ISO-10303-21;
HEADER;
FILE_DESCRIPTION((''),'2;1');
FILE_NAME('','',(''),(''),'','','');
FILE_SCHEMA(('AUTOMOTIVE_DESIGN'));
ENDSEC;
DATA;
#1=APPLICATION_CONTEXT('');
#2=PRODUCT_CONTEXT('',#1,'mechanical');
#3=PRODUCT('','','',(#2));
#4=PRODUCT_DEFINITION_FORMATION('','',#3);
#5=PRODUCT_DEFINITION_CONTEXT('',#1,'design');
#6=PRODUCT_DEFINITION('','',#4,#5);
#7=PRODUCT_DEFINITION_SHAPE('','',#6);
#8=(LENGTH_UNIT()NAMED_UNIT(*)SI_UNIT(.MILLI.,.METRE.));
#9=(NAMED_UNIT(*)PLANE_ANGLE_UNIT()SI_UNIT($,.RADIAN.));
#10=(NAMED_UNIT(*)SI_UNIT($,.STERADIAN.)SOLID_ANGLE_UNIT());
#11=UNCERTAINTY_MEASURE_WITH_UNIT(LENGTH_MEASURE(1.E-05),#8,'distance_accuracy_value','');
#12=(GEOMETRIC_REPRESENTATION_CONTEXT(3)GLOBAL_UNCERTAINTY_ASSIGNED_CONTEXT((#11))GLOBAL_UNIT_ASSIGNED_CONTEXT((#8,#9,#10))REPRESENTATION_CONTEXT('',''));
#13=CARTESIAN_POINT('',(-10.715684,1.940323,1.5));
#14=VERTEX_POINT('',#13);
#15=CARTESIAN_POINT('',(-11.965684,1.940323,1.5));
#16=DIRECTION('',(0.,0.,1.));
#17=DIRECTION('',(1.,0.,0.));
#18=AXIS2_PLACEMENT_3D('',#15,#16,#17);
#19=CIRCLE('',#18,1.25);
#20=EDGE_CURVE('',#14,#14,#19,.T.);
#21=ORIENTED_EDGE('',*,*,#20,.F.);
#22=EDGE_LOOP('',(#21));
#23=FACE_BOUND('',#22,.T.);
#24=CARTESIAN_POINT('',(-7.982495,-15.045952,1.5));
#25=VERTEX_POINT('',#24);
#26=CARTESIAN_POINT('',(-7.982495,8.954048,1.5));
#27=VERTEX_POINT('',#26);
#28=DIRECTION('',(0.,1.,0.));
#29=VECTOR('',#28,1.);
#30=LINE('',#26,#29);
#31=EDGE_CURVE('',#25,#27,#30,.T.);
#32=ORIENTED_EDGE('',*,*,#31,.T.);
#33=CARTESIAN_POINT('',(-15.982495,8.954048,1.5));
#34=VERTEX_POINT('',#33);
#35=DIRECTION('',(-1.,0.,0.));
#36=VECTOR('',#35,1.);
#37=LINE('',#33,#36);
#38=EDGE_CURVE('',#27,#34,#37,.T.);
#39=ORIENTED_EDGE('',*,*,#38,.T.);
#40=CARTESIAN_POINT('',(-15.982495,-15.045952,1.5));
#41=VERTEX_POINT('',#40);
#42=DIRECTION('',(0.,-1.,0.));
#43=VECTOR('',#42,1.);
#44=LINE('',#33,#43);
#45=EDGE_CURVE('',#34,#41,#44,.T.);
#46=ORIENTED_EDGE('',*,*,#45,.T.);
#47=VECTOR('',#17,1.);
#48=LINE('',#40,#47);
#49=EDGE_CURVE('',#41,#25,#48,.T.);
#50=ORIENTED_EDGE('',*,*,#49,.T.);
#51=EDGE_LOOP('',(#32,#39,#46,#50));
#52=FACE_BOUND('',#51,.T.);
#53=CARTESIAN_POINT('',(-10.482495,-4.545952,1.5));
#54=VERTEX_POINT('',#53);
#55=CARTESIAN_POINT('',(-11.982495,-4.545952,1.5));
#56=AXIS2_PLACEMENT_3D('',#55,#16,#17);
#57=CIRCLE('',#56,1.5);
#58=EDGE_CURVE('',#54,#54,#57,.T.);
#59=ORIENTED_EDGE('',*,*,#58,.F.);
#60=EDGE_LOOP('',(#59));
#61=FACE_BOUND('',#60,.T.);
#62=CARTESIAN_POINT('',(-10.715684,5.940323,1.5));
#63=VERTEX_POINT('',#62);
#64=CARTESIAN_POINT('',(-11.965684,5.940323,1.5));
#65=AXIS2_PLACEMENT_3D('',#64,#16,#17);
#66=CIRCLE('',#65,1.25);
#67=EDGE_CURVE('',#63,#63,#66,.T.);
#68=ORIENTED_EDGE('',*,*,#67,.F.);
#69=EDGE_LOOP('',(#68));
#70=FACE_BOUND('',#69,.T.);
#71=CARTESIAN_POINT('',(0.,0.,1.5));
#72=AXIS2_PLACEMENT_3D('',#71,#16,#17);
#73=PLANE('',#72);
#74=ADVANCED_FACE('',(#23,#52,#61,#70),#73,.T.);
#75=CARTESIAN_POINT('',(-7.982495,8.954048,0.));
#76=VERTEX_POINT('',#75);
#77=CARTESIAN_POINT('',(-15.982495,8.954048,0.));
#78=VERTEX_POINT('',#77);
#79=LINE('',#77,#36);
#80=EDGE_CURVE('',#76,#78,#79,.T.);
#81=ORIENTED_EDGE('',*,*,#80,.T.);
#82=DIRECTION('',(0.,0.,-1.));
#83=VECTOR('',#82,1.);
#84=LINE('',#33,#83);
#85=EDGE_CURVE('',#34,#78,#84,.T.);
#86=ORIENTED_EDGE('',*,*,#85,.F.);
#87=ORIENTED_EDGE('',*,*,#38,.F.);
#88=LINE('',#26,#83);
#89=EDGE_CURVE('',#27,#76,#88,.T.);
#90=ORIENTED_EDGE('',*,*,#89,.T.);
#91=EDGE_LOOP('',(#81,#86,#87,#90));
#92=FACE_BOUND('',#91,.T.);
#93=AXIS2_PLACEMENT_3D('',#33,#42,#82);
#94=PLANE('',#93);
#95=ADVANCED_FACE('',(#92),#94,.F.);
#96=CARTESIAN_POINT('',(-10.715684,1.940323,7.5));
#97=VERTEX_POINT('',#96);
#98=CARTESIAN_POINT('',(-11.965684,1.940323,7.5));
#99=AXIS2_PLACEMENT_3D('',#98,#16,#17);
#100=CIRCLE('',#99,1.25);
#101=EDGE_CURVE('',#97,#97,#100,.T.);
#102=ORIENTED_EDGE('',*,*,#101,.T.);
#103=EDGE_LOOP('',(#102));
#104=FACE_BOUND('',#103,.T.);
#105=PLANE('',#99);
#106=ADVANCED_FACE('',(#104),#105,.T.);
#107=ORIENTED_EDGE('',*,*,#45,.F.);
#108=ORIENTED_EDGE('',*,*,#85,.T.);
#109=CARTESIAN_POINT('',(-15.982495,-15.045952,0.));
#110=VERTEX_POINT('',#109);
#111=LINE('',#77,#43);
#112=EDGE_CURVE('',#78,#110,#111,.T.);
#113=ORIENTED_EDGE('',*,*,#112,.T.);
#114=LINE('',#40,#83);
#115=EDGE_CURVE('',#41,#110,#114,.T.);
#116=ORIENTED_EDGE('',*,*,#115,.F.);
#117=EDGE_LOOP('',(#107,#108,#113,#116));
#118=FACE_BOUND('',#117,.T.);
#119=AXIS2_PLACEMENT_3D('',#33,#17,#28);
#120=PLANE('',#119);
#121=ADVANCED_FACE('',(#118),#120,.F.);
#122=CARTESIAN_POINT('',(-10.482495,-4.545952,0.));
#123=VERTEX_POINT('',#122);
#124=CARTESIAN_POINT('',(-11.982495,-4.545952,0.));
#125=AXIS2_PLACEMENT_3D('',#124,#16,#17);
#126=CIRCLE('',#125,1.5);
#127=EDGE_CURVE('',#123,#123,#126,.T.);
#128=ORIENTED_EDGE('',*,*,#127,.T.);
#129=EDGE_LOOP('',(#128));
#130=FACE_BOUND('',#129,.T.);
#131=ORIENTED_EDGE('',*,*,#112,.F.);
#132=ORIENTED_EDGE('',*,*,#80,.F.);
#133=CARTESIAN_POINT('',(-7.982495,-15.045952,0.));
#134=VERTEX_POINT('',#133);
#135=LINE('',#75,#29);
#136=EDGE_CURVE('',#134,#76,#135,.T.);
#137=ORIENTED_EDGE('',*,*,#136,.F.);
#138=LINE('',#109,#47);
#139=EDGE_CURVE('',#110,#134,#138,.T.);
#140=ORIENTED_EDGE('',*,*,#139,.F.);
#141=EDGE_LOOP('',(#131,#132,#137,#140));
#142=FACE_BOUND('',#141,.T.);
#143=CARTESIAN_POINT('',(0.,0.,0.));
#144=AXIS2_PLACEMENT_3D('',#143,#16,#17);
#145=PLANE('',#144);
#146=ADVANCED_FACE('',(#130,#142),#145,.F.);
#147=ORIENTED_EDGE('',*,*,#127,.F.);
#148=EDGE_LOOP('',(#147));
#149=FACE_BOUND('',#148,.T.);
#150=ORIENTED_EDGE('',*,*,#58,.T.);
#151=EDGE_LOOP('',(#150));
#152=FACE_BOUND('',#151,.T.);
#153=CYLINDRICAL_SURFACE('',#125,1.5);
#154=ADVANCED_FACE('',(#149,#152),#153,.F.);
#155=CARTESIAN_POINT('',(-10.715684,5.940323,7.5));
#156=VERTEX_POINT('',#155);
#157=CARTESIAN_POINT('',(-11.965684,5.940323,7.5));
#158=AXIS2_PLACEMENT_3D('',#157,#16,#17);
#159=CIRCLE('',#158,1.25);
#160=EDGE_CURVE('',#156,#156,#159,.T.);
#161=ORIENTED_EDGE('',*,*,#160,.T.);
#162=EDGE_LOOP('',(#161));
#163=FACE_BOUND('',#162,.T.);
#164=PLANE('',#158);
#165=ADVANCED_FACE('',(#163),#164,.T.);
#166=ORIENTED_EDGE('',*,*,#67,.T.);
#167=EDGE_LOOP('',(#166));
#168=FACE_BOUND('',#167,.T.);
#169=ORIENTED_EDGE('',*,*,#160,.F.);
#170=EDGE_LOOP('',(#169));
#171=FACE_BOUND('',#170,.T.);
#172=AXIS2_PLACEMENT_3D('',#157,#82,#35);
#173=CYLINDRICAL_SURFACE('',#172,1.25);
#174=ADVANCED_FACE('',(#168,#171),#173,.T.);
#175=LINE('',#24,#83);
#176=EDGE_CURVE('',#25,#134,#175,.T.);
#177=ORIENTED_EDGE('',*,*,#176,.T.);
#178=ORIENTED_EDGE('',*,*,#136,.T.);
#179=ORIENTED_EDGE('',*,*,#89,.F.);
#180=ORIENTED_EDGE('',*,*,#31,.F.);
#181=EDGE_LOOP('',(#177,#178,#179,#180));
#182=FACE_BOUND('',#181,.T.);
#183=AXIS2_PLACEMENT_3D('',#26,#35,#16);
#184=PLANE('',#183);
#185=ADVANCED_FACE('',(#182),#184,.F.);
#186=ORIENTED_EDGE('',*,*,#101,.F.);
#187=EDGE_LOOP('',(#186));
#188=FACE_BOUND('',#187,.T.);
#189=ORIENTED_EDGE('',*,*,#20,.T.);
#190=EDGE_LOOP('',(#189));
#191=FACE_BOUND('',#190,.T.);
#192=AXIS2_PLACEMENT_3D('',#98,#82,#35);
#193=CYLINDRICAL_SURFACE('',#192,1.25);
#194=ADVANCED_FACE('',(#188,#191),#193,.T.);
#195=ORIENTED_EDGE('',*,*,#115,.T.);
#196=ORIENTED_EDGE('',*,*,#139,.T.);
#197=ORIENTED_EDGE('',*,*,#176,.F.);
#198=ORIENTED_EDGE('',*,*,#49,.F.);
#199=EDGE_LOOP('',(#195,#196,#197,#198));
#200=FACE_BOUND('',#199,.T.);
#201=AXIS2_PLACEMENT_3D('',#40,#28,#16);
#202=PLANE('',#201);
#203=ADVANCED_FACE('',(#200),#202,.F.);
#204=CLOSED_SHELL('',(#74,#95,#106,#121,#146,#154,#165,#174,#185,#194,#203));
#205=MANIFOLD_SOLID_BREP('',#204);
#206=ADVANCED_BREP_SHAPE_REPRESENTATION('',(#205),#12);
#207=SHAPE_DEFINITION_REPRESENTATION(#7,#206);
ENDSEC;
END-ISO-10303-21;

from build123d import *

# Parameters (mm, degrees)
SKETCH1_W           = 8
SKETCH1_H           = 24
BOSS_EXTRUDE1_DEPTH = 1.5
SKETCH2_R           = 1.5
CUT_EXTRUDE1_DEPTH  = 2.5
SKETCH3_R           = 1.25
BOSS_EXTRUDE3_DEPTH = 6


with BuildPart() as part:
    # Sketch1 → Boss-Extrude1 (new body)
    with BuildSketch(Plane.XY):
        with Locations((-11.98249453, -3.04595186)):
            Rectangle(SKETCH1_W, SKETCH1_H)
    extrude(amount=BOSS_EXTRUDE1_DEPTH)

    # Sketch2 → Cut-Extrude1 (cut, through all)
    with BuildSketch(Plane.XY.offset(1.5)):
        with Locations((-11.98249453, -4.54595186)):
            Circle(SKETCH2_R)
    extrude(amount=-CUT_EXTRUDE1_DEPTH, mode=Mode.SUBTRACT)

    # Sketch3 → Boss-Extrude3 (add)
    with BuildSketch(Plane.XY.offset(1.5)):
        with Locations((-11.965684197, 5.940322957)):
            Circle(SKETCH3_R)
        with Locations((-11.965684197, 1.940322957)):
            Circle(SKETCH3_R)
    extrude(amount=BOSS_EXTRUDE3_DEPTH)


solid = part.part
